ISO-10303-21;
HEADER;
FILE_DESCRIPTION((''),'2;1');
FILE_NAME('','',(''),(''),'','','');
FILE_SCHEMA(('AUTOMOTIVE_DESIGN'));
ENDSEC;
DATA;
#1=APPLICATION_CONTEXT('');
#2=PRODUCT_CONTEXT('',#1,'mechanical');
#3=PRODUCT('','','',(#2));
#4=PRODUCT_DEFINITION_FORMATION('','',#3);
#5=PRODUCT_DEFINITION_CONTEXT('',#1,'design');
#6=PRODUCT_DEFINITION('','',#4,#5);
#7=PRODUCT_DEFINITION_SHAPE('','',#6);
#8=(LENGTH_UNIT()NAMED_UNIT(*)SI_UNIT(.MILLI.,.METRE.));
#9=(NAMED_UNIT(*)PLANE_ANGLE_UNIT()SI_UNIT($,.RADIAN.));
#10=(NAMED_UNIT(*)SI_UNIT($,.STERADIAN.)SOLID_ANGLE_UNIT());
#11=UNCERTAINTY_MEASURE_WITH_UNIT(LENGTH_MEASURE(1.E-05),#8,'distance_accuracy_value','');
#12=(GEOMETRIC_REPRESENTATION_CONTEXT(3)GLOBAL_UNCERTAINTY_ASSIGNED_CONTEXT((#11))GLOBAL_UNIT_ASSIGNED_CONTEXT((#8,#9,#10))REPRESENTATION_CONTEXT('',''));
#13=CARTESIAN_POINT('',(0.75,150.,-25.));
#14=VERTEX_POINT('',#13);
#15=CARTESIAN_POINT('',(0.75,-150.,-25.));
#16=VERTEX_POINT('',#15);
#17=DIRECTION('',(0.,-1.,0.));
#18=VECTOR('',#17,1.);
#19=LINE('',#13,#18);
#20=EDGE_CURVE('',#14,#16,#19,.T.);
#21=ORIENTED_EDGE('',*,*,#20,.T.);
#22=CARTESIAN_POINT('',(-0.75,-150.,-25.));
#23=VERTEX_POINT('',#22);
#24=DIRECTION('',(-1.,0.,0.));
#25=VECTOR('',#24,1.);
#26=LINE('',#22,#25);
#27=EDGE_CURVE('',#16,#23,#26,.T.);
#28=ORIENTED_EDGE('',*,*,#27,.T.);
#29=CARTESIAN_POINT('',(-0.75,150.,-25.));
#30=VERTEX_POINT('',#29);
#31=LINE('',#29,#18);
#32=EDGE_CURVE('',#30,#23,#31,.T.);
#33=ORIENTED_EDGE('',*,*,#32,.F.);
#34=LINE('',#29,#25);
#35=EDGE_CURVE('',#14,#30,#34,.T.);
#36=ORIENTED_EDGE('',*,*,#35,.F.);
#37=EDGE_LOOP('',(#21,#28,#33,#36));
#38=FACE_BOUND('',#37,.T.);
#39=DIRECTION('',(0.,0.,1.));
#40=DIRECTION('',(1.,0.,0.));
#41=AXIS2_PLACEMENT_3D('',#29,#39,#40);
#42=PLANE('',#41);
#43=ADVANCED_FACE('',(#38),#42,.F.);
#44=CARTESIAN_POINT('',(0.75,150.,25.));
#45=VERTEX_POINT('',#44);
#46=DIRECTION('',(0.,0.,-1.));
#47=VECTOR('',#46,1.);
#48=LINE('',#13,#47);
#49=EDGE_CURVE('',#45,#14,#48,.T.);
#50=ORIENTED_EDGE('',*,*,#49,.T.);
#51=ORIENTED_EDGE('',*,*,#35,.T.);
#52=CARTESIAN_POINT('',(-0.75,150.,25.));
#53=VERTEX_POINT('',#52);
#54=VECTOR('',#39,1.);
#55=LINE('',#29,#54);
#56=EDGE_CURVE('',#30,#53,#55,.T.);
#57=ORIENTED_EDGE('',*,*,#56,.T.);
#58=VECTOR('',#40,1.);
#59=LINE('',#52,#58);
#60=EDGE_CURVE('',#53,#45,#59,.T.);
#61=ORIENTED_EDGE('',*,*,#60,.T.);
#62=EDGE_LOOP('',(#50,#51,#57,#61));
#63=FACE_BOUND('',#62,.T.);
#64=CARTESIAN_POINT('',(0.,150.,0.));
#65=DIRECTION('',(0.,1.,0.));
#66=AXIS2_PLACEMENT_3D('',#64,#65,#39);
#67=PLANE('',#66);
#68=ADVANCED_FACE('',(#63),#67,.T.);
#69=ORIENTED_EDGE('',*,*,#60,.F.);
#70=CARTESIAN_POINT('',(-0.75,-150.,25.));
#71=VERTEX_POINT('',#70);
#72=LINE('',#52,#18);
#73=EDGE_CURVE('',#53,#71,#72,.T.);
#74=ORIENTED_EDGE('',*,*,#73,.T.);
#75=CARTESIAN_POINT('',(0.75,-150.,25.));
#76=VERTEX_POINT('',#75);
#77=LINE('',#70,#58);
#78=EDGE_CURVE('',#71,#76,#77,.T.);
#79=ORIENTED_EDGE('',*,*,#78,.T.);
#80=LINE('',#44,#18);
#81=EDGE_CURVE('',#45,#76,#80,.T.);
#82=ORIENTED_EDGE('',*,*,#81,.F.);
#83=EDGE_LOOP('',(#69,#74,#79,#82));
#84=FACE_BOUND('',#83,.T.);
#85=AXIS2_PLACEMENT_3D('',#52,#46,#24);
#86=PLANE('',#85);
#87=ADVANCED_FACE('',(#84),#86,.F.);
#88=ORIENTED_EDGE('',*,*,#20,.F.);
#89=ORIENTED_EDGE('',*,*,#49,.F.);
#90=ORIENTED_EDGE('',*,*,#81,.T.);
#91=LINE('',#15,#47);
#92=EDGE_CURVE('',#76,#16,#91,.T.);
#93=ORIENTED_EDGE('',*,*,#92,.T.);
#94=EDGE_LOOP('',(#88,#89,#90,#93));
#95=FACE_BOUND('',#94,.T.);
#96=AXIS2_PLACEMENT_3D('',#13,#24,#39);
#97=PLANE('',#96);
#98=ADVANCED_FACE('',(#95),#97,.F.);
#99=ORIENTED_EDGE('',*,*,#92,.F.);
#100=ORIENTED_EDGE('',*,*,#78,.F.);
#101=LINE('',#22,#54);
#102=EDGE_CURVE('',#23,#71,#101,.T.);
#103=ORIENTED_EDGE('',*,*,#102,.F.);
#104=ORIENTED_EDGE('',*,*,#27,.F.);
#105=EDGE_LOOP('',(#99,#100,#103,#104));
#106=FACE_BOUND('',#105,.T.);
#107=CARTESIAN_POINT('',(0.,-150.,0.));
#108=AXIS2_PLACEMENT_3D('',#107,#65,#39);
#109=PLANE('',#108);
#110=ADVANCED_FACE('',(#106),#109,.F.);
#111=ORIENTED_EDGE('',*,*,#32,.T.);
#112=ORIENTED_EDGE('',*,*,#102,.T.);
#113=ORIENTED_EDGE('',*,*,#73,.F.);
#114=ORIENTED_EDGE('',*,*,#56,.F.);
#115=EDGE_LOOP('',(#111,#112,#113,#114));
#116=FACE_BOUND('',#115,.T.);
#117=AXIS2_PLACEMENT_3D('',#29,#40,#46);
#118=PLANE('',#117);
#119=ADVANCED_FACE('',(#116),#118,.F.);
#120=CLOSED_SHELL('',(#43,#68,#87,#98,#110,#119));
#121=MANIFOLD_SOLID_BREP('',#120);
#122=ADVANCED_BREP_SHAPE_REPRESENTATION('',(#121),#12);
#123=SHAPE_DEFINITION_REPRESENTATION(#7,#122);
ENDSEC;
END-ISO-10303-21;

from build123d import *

# Parameters (mm, degrees)
SKETCH1_W           = 1.5
SKETCH1_H           = 50
BOSS_EXTRUDE1_DEPTH = 150


with BuildPart() as part:
    # Sketch1 → Boss-Extrude1 (new body, symmetric)
    with BuildSketch(Plane(origin=(0, 0, 0), x_dir=(1, 0, 0), z_dir=(0, 1, 0))):
        Rectangle(SKETCH1_W, SKETCH1_H)
    extrude(amount=BOSS_EXTRUDE1_DEPTH, both=True)


solid = part.part
